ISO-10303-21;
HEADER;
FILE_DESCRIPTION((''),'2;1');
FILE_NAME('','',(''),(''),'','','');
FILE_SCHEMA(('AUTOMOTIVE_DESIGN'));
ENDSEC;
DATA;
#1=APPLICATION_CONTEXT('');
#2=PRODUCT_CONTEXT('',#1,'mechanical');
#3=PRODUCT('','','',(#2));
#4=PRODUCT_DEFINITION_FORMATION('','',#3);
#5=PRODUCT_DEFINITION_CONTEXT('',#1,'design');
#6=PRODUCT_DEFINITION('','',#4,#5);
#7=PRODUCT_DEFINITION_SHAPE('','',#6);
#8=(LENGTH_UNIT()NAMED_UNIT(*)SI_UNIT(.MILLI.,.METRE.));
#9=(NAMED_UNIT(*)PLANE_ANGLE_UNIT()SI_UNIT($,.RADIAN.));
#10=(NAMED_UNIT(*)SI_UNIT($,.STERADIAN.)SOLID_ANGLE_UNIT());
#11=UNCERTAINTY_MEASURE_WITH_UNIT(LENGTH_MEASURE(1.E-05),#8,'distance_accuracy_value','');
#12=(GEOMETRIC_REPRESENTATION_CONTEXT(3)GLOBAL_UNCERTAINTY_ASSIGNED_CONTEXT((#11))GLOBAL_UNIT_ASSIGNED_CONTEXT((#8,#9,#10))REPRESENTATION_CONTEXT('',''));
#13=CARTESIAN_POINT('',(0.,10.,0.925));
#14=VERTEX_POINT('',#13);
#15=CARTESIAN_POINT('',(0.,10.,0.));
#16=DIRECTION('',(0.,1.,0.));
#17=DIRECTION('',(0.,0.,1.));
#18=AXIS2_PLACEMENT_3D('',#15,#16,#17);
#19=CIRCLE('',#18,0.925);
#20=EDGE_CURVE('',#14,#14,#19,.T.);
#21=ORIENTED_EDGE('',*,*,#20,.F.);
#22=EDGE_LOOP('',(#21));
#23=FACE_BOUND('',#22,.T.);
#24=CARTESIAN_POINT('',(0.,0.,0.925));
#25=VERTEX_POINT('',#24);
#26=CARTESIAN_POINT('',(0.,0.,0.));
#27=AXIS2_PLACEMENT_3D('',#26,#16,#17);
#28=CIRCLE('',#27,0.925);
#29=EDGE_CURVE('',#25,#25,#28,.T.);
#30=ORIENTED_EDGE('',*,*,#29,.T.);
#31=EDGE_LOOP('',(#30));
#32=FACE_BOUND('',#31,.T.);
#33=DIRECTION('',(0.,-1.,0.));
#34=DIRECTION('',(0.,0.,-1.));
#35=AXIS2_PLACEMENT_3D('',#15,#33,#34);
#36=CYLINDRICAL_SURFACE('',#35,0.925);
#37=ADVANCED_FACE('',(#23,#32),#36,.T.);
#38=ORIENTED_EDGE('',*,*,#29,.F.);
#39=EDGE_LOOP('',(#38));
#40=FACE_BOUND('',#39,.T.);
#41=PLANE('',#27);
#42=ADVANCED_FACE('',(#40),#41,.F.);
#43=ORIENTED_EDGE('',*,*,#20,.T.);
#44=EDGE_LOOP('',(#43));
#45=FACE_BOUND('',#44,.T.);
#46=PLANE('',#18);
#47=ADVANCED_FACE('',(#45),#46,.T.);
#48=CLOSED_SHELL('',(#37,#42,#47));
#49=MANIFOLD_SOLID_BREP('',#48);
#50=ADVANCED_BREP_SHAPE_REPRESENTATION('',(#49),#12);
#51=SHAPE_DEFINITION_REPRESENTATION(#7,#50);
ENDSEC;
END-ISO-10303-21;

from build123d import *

# Parameters (mm, degrees)
SKETCH1_R           = 0.925
BOSS_EXTRUDE1_DEPTH = 10


with BuildPart() as part:
    # Sketch1 → Boss-Extrude1 (new body)
    with BuildSketch(Plane(origin=(0, 0, 0), x_dir=(1, 0, 0), z_dir=(0, 1, 0))):
        with Locations(Location((0, 0, 0), (0, 0, 270))):
            Circle(SKETCH1_R)
    extrude(amount=BOSS_EXTRUDE1_DEPTH)


solid = part.part
